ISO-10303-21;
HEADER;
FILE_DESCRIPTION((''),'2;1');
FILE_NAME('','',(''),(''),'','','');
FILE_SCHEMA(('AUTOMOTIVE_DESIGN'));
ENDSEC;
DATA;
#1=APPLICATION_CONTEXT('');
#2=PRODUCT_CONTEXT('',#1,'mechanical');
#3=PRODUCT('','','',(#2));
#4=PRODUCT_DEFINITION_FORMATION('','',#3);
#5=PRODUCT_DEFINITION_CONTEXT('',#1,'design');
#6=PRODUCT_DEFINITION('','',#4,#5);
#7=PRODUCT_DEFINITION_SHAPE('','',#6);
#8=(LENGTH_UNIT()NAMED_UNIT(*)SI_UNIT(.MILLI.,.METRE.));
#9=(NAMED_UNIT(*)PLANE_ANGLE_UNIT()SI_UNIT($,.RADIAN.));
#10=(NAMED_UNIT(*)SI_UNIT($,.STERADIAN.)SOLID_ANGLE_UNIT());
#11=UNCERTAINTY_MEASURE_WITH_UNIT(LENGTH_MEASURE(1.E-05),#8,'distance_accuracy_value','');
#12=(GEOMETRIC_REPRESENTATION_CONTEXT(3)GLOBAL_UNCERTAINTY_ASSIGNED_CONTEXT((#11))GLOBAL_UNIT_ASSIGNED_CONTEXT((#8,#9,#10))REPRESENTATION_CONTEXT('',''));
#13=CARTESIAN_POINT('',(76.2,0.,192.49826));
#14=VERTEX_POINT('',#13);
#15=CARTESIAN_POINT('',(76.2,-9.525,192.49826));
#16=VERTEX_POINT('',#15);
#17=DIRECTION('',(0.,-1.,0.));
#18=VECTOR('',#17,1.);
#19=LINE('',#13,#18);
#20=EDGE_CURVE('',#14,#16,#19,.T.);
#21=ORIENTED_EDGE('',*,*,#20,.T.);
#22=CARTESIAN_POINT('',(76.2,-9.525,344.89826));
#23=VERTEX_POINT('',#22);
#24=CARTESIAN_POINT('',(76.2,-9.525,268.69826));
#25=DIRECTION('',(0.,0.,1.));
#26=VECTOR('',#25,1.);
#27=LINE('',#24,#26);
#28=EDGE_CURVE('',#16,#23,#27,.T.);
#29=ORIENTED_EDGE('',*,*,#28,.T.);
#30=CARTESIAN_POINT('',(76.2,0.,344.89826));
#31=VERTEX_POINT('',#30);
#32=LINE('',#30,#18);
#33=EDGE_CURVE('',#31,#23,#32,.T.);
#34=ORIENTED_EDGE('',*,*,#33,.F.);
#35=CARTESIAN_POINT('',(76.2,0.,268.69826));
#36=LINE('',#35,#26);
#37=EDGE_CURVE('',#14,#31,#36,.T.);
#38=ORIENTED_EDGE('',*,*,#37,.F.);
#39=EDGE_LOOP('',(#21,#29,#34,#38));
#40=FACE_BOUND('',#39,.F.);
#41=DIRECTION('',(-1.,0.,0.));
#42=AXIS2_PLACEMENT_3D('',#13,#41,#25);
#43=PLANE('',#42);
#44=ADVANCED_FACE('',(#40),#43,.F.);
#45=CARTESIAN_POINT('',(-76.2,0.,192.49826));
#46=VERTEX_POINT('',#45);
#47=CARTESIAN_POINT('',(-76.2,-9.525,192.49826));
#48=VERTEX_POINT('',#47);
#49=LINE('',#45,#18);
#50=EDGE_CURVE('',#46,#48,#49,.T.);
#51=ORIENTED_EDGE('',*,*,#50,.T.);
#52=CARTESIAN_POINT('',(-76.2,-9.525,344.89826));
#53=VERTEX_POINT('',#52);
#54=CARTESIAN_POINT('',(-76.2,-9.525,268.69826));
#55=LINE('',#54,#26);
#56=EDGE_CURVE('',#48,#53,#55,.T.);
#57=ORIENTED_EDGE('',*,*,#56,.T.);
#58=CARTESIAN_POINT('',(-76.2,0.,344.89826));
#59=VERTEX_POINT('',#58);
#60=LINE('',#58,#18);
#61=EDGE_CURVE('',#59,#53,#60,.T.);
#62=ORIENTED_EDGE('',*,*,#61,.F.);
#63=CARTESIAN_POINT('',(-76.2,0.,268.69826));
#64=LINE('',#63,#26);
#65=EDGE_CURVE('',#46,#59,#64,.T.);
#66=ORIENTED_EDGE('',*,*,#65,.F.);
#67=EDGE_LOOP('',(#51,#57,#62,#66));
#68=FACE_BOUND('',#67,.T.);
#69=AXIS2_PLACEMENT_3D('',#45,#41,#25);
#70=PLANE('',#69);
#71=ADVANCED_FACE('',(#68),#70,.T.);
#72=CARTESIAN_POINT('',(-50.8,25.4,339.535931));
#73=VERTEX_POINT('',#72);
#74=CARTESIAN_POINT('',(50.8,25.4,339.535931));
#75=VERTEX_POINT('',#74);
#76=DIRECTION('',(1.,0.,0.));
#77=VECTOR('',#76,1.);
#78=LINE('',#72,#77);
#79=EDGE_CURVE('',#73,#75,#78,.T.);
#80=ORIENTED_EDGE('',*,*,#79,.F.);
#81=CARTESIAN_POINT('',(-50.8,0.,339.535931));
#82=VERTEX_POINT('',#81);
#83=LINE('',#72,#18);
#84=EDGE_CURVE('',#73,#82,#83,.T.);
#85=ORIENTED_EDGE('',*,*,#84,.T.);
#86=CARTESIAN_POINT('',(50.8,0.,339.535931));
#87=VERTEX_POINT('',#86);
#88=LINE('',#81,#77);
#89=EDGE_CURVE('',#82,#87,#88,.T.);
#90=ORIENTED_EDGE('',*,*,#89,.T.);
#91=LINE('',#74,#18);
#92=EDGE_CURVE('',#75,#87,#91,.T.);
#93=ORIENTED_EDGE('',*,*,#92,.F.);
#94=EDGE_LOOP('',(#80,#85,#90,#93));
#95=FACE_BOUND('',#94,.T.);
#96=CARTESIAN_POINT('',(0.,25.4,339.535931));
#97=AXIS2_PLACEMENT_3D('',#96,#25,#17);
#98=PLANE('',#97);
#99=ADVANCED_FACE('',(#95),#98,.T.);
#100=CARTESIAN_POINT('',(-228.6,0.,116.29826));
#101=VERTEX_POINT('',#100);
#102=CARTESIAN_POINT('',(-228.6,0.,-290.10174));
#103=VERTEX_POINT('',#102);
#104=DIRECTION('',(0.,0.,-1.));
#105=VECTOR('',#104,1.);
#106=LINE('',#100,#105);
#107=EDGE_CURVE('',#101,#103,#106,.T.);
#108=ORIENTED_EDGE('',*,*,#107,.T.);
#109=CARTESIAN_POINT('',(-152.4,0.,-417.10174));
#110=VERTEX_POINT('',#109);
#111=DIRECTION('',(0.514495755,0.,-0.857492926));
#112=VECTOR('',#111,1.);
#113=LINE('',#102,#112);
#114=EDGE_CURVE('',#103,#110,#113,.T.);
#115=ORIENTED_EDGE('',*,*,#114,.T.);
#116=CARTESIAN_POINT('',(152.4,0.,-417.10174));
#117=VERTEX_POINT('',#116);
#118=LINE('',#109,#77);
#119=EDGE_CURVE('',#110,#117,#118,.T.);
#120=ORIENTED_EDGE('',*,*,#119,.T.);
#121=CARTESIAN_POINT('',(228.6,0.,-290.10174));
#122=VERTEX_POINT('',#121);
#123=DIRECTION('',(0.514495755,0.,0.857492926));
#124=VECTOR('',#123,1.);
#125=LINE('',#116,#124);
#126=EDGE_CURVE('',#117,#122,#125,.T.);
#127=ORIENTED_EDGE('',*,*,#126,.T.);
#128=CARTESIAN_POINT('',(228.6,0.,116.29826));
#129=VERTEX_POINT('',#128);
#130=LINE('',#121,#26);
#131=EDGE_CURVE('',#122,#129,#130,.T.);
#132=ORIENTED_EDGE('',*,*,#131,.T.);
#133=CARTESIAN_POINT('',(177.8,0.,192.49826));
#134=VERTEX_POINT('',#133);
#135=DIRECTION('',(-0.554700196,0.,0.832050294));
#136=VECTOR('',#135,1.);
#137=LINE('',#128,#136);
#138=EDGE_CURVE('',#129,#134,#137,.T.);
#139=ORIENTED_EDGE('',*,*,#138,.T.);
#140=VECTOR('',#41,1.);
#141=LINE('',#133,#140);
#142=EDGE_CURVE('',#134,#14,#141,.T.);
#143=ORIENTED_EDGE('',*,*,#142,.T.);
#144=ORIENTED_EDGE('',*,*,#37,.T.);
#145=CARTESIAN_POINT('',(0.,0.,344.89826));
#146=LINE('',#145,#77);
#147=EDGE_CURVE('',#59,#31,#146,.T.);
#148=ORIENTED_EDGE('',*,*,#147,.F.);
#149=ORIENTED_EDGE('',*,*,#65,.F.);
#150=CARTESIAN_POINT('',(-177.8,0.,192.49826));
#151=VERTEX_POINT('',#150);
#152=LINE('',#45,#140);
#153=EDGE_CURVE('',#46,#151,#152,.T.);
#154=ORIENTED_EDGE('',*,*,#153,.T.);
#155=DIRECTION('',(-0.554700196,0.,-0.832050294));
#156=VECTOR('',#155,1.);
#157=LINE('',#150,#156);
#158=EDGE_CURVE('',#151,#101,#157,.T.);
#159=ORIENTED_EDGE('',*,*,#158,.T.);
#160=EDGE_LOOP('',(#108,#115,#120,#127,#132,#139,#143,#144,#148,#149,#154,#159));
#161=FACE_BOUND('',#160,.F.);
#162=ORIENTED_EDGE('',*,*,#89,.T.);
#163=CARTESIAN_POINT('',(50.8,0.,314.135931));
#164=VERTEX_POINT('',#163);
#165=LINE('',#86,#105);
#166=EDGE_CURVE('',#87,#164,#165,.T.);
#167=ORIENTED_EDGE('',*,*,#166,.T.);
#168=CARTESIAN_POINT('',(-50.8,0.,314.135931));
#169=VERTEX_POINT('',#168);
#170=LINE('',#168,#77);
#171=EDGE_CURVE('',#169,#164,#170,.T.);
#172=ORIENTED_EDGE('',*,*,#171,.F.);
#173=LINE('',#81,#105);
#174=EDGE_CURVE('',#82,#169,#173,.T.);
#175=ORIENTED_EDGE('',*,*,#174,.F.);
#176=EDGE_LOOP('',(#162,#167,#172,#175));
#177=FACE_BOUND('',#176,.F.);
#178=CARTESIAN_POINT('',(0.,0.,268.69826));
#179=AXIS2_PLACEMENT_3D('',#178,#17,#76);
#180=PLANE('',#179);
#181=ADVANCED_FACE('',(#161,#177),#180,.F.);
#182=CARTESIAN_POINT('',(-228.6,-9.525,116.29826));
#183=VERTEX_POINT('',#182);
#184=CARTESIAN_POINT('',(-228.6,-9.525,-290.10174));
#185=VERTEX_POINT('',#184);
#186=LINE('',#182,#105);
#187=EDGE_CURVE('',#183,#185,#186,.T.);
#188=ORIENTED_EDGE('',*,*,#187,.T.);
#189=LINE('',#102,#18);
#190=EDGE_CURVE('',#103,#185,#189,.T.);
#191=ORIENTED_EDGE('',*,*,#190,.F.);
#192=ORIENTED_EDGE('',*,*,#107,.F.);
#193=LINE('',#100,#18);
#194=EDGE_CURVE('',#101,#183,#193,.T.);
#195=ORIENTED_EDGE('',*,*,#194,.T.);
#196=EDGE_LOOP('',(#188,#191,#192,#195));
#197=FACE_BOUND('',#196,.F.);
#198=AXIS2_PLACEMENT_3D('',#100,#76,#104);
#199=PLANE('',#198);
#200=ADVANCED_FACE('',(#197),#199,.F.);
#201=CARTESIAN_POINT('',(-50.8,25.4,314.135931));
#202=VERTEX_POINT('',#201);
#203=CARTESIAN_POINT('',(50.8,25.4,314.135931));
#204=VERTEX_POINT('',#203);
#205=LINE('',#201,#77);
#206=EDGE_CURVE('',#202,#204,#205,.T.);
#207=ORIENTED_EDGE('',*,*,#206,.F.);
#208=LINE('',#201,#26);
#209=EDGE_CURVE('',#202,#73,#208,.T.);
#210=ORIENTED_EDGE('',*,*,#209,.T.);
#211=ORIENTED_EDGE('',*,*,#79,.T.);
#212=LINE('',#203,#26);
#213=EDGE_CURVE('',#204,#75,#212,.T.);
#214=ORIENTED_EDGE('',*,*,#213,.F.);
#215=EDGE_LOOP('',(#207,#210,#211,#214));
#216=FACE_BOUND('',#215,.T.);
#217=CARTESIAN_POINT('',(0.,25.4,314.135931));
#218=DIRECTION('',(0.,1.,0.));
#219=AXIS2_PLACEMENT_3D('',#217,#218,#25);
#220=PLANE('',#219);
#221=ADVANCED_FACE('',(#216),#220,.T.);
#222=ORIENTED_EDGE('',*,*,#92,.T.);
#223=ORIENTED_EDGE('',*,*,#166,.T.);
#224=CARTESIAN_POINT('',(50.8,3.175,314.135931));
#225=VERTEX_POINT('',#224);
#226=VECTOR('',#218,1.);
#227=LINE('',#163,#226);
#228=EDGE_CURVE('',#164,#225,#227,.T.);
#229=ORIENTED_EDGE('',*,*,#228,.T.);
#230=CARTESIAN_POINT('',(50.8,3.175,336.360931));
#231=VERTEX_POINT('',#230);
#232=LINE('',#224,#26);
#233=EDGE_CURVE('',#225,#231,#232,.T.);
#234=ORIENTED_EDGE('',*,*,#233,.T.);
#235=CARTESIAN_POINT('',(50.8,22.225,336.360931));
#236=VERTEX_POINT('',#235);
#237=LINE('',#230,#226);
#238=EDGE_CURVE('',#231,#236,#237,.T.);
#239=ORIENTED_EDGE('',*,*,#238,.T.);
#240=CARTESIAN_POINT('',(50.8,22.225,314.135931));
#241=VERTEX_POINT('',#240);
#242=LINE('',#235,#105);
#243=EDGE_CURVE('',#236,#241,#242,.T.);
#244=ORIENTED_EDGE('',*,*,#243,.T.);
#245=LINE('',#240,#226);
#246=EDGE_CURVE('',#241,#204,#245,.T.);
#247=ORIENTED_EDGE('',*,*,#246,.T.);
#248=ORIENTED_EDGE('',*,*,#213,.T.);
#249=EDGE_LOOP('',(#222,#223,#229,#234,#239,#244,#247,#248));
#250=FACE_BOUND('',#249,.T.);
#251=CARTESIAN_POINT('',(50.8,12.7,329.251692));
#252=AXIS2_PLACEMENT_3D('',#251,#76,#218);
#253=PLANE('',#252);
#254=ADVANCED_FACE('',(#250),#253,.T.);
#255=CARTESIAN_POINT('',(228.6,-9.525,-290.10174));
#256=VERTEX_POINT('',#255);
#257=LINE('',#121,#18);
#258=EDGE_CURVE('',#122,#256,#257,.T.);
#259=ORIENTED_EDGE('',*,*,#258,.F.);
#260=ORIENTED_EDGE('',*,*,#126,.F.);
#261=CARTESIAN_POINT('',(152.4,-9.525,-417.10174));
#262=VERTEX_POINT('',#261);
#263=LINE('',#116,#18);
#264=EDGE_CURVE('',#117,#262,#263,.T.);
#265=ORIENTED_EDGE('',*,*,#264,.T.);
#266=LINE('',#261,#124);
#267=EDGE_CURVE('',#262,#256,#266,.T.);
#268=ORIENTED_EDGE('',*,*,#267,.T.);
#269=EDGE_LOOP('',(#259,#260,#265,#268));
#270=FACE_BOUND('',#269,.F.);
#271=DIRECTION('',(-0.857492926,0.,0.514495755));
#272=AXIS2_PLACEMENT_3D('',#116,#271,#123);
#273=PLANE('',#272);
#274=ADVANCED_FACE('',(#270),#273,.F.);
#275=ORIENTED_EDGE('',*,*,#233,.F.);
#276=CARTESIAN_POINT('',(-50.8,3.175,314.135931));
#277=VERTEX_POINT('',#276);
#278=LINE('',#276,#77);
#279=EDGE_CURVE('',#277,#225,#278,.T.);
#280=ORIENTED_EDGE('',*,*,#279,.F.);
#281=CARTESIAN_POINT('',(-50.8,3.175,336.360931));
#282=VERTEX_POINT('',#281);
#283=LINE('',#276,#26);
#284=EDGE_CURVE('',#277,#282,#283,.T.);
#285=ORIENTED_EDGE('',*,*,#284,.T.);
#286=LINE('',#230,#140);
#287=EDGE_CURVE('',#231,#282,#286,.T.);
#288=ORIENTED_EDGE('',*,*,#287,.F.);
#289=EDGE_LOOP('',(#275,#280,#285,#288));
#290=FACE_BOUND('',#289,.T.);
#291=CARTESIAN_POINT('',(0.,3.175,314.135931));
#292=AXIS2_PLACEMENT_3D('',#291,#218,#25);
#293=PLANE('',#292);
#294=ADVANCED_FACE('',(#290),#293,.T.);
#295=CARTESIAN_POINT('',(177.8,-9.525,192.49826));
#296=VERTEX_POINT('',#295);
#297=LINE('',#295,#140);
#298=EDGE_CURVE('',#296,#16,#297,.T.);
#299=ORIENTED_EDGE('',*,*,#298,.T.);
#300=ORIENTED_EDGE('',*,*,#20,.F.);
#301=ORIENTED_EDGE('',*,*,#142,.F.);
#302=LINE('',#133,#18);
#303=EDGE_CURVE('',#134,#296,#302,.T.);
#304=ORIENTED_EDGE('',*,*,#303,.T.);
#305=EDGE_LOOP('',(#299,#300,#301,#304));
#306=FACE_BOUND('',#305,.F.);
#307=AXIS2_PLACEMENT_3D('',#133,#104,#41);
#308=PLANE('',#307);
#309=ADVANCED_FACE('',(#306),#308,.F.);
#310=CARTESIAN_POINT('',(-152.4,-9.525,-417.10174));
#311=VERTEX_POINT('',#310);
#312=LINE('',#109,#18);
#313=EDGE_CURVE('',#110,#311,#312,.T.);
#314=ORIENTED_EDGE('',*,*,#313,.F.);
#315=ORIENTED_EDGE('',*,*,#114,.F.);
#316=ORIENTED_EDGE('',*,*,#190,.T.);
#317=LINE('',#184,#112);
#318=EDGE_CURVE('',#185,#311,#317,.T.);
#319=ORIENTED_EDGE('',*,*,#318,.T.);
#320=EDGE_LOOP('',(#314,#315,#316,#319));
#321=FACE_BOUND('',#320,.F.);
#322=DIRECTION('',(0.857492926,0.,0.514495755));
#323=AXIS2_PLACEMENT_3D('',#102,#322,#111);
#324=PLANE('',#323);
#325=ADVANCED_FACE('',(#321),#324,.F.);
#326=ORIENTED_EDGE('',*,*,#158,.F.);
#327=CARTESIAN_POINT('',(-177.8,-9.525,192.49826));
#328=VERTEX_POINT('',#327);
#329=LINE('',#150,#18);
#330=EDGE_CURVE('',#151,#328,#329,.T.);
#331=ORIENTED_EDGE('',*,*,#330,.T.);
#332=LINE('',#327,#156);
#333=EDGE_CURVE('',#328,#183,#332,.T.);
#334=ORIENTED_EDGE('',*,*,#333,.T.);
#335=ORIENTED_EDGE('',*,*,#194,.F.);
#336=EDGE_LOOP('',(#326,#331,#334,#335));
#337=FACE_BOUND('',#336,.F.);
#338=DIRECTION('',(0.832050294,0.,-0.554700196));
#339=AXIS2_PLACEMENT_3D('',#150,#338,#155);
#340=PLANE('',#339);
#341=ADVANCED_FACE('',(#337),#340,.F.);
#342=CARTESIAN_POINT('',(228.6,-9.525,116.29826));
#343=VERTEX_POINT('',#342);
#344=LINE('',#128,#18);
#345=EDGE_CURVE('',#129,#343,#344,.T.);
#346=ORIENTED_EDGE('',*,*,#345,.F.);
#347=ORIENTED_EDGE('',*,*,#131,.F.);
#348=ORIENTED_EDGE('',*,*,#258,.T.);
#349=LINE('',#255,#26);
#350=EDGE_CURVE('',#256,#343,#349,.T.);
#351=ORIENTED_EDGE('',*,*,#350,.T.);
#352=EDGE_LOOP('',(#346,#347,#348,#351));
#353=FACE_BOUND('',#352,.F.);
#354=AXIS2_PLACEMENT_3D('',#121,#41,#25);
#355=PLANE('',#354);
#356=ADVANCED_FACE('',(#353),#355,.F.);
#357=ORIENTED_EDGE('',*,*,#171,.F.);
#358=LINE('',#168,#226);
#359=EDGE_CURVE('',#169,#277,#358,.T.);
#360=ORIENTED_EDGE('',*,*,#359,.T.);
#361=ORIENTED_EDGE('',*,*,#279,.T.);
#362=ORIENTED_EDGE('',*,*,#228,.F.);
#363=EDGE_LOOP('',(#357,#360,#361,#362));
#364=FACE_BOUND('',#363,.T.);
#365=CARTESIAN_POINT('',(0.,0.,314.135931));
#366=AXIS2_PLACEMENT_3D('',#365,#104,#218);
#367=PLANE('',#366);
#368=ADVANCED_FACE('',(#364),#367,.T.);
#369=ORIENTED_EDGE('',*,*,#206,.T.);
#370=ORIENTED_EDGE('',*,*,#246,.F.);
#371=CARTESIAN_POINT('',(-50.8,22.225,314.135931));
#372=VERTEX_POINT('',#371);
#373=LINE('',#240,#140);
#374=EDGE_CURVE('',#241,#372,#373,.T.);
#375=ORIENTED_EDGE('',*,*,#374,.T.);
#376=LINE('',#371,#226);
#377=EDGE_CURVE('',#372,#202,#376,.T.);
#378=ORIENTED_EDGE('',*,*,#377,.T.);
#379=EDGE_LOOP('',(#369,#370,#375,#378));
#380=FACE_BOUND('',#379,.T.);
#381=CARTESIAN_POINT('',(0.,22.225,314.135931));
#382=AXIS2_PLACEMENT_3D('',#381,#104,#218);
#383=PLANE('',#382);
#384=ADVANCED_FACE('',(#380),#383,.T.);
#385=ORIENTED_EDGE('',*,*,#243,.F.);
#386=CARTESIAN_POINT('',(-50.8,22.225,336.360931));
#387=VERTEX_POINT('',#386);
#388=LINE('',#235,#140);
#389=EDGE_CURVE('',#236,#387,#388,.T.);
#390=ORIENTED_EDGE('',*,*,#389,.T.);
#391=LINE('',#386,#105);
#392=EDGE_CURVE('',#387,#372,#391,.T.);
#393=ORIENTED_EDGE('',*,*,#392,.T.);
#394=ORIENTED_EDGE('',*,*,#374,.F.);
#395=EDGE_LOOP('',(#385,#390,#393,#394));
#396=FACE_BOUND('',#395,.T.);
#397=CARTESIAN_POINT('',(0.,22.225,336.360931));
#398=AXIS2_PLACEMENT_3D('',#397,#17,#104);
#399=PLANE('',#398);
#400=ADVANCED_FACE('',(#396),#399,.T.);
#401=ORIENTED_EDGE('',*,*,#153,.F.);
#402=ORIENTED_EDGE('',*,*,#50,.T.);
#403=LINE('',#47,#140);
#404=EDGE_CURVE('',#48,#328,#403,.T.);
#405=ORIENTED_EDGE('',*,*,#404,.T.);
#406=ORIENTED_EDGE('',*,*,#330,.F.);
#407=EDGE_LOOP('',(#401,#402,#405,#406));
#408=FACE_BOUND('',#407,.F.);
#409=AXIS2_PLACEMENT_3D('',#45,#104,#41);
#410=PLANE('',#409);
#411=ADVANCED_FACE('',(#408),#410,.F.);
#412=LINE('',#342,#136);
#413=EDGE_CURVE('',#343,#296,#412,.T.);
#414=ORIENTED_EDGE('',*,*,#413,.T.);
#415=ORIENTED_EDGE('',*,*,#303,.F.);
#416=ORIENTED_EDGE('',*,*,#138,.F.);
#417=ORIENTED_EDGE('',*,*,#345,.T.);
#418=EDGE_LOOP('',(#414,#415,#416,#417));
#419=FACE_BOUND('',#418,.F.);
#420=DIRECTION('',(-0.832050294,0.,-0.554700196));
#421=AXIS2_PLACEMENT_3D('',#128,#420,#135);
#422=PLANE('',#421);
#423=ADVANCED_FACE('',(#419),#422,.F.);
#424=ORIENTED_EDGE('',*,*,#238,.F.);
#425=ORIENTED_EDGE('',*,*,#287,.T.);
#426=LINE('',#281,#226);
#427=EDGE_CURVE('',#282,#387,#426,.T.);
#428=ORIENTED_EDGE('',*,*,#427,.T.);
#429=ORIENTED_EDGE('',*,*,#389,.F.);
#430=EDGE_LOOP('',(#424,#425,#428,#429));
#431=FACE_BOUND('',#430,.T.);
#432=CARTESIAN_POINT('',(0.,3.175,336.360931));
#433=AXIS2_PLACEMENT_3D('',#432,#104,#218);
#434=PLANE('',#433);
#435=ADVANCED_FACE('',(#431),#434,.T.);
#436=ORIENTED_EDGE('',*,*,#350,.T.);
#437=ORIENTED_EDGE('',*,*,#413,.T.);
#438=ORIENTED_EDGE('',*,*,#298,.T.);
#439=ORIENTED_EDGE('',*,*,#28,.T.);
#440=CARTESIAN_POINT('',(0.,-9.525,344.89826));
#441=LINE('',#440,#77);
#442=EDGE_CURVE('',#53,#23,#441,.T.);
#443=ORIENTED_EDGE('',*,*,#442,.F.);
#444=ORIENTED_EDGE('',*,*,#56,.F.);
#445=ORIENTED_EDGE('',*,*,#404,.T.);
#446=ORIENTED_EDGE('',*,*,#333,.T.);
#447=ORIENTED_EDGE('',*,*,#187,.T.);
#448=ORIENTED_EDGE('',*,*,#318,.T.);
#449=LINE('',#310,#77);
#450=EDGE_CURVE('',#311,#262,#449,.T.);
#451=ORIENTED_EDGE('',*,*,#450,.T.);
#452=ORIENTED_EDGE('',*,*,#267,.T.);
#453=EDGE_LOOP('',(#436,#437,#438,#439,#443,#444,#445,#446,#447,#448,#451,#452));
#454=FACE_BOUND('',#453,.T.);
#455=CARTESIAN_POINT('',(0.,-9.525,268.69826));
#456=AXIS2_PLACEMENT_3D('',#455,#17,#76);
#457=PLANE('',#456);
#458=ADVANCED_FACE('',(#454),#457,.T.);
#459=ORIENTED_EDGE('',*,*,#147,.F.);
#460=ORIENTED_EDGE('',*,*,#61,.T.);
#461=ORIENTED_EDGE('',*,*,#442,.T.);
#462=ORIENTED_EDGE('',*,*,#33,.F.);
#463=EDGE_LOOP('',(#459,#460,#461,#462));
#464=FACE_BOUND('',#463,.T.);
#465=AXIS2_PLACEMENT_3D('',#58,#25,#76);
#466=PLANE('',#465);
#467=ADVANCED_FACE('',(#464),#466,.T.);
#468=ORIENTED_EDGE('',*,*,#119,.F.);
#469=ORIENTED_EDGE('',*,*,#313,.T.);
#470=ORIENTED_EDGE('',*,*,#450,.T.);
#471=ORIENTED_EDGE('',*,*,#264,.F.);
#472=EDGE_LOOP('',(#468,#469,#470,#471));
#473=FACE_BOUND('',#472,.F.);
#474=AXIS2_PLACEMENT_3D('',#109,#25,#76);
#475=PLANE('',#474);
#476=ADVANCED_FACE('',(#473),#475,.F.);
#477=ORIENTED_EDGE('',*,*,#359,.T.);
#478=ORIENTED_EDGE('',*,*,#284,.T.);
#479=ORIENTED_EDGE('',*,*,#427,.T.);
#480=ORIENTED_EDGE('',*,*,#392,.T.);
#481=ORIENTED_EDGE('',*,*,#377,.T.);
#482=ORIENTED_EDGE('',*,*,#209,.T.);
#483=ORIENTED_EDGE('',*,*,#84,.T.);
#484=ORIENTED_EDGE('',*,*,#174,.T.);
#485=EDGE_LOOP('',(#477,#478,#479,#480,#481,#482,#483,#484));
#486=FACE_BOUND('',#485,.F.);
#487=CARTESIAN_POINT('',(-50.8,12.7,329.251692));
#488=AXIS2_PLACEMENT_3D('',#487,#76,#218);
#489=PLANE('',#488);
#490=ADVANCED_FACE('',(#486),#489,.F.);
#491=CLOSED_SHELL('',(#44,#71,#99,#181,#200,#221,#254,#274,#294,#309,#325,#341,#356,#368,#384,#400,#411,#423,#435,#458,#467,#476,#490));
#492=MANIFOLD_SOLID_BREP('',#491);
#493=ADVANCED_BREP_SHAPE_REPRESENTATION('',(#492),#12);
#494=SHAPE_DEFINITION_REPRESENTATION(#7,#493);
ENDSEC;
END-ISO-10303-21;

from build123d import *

# Parameters (mm, degrees)
F0_W          = 152.4
F0_H          = 152.4
F1_DEPTH      = 9.525
F3_DEPTH      = 50.8
F3_DEPTH_BACK = 50.8


with BuildPart() as f1:
    # F0 (on Front) → F1 (new body)
    with BuildSketch(Plane.XZ):
        with Locations((0, 268.69826)):
            Rectangle(F0_W, F0_H)
        Polygon((-76.2, 192.49826), (-177.8, 192.49826), (-228.6, 116.29826), (-228.6, -290.10174), (-152.4, -417.10174), (152.4, -417.10174), (228.6, -290.10174), (228.6, 116.29826), (177.8, 192.49826), (76.2, 192.49826), align=None)
    extrude(amount=F1_DEPTH)

    # F2 (on Right) → F3 (join, two sides)
    with BuildSketch(Plane.YZ) as f3_sk:
        Polygon((22.225, 314.135931), (25.4, 314.135931), (25.4, 339.535931), (0, 339.535931), (0, 314.135931), (3.175, 314.135931), (3.175, 336.360931), (22.225, 336.360931), align=None)
    extrude(amount=F3_DEPTH)
    extrude(f3_sk.sketch, amount=-F3_DEPTH_BACK)


solid = f1.part
